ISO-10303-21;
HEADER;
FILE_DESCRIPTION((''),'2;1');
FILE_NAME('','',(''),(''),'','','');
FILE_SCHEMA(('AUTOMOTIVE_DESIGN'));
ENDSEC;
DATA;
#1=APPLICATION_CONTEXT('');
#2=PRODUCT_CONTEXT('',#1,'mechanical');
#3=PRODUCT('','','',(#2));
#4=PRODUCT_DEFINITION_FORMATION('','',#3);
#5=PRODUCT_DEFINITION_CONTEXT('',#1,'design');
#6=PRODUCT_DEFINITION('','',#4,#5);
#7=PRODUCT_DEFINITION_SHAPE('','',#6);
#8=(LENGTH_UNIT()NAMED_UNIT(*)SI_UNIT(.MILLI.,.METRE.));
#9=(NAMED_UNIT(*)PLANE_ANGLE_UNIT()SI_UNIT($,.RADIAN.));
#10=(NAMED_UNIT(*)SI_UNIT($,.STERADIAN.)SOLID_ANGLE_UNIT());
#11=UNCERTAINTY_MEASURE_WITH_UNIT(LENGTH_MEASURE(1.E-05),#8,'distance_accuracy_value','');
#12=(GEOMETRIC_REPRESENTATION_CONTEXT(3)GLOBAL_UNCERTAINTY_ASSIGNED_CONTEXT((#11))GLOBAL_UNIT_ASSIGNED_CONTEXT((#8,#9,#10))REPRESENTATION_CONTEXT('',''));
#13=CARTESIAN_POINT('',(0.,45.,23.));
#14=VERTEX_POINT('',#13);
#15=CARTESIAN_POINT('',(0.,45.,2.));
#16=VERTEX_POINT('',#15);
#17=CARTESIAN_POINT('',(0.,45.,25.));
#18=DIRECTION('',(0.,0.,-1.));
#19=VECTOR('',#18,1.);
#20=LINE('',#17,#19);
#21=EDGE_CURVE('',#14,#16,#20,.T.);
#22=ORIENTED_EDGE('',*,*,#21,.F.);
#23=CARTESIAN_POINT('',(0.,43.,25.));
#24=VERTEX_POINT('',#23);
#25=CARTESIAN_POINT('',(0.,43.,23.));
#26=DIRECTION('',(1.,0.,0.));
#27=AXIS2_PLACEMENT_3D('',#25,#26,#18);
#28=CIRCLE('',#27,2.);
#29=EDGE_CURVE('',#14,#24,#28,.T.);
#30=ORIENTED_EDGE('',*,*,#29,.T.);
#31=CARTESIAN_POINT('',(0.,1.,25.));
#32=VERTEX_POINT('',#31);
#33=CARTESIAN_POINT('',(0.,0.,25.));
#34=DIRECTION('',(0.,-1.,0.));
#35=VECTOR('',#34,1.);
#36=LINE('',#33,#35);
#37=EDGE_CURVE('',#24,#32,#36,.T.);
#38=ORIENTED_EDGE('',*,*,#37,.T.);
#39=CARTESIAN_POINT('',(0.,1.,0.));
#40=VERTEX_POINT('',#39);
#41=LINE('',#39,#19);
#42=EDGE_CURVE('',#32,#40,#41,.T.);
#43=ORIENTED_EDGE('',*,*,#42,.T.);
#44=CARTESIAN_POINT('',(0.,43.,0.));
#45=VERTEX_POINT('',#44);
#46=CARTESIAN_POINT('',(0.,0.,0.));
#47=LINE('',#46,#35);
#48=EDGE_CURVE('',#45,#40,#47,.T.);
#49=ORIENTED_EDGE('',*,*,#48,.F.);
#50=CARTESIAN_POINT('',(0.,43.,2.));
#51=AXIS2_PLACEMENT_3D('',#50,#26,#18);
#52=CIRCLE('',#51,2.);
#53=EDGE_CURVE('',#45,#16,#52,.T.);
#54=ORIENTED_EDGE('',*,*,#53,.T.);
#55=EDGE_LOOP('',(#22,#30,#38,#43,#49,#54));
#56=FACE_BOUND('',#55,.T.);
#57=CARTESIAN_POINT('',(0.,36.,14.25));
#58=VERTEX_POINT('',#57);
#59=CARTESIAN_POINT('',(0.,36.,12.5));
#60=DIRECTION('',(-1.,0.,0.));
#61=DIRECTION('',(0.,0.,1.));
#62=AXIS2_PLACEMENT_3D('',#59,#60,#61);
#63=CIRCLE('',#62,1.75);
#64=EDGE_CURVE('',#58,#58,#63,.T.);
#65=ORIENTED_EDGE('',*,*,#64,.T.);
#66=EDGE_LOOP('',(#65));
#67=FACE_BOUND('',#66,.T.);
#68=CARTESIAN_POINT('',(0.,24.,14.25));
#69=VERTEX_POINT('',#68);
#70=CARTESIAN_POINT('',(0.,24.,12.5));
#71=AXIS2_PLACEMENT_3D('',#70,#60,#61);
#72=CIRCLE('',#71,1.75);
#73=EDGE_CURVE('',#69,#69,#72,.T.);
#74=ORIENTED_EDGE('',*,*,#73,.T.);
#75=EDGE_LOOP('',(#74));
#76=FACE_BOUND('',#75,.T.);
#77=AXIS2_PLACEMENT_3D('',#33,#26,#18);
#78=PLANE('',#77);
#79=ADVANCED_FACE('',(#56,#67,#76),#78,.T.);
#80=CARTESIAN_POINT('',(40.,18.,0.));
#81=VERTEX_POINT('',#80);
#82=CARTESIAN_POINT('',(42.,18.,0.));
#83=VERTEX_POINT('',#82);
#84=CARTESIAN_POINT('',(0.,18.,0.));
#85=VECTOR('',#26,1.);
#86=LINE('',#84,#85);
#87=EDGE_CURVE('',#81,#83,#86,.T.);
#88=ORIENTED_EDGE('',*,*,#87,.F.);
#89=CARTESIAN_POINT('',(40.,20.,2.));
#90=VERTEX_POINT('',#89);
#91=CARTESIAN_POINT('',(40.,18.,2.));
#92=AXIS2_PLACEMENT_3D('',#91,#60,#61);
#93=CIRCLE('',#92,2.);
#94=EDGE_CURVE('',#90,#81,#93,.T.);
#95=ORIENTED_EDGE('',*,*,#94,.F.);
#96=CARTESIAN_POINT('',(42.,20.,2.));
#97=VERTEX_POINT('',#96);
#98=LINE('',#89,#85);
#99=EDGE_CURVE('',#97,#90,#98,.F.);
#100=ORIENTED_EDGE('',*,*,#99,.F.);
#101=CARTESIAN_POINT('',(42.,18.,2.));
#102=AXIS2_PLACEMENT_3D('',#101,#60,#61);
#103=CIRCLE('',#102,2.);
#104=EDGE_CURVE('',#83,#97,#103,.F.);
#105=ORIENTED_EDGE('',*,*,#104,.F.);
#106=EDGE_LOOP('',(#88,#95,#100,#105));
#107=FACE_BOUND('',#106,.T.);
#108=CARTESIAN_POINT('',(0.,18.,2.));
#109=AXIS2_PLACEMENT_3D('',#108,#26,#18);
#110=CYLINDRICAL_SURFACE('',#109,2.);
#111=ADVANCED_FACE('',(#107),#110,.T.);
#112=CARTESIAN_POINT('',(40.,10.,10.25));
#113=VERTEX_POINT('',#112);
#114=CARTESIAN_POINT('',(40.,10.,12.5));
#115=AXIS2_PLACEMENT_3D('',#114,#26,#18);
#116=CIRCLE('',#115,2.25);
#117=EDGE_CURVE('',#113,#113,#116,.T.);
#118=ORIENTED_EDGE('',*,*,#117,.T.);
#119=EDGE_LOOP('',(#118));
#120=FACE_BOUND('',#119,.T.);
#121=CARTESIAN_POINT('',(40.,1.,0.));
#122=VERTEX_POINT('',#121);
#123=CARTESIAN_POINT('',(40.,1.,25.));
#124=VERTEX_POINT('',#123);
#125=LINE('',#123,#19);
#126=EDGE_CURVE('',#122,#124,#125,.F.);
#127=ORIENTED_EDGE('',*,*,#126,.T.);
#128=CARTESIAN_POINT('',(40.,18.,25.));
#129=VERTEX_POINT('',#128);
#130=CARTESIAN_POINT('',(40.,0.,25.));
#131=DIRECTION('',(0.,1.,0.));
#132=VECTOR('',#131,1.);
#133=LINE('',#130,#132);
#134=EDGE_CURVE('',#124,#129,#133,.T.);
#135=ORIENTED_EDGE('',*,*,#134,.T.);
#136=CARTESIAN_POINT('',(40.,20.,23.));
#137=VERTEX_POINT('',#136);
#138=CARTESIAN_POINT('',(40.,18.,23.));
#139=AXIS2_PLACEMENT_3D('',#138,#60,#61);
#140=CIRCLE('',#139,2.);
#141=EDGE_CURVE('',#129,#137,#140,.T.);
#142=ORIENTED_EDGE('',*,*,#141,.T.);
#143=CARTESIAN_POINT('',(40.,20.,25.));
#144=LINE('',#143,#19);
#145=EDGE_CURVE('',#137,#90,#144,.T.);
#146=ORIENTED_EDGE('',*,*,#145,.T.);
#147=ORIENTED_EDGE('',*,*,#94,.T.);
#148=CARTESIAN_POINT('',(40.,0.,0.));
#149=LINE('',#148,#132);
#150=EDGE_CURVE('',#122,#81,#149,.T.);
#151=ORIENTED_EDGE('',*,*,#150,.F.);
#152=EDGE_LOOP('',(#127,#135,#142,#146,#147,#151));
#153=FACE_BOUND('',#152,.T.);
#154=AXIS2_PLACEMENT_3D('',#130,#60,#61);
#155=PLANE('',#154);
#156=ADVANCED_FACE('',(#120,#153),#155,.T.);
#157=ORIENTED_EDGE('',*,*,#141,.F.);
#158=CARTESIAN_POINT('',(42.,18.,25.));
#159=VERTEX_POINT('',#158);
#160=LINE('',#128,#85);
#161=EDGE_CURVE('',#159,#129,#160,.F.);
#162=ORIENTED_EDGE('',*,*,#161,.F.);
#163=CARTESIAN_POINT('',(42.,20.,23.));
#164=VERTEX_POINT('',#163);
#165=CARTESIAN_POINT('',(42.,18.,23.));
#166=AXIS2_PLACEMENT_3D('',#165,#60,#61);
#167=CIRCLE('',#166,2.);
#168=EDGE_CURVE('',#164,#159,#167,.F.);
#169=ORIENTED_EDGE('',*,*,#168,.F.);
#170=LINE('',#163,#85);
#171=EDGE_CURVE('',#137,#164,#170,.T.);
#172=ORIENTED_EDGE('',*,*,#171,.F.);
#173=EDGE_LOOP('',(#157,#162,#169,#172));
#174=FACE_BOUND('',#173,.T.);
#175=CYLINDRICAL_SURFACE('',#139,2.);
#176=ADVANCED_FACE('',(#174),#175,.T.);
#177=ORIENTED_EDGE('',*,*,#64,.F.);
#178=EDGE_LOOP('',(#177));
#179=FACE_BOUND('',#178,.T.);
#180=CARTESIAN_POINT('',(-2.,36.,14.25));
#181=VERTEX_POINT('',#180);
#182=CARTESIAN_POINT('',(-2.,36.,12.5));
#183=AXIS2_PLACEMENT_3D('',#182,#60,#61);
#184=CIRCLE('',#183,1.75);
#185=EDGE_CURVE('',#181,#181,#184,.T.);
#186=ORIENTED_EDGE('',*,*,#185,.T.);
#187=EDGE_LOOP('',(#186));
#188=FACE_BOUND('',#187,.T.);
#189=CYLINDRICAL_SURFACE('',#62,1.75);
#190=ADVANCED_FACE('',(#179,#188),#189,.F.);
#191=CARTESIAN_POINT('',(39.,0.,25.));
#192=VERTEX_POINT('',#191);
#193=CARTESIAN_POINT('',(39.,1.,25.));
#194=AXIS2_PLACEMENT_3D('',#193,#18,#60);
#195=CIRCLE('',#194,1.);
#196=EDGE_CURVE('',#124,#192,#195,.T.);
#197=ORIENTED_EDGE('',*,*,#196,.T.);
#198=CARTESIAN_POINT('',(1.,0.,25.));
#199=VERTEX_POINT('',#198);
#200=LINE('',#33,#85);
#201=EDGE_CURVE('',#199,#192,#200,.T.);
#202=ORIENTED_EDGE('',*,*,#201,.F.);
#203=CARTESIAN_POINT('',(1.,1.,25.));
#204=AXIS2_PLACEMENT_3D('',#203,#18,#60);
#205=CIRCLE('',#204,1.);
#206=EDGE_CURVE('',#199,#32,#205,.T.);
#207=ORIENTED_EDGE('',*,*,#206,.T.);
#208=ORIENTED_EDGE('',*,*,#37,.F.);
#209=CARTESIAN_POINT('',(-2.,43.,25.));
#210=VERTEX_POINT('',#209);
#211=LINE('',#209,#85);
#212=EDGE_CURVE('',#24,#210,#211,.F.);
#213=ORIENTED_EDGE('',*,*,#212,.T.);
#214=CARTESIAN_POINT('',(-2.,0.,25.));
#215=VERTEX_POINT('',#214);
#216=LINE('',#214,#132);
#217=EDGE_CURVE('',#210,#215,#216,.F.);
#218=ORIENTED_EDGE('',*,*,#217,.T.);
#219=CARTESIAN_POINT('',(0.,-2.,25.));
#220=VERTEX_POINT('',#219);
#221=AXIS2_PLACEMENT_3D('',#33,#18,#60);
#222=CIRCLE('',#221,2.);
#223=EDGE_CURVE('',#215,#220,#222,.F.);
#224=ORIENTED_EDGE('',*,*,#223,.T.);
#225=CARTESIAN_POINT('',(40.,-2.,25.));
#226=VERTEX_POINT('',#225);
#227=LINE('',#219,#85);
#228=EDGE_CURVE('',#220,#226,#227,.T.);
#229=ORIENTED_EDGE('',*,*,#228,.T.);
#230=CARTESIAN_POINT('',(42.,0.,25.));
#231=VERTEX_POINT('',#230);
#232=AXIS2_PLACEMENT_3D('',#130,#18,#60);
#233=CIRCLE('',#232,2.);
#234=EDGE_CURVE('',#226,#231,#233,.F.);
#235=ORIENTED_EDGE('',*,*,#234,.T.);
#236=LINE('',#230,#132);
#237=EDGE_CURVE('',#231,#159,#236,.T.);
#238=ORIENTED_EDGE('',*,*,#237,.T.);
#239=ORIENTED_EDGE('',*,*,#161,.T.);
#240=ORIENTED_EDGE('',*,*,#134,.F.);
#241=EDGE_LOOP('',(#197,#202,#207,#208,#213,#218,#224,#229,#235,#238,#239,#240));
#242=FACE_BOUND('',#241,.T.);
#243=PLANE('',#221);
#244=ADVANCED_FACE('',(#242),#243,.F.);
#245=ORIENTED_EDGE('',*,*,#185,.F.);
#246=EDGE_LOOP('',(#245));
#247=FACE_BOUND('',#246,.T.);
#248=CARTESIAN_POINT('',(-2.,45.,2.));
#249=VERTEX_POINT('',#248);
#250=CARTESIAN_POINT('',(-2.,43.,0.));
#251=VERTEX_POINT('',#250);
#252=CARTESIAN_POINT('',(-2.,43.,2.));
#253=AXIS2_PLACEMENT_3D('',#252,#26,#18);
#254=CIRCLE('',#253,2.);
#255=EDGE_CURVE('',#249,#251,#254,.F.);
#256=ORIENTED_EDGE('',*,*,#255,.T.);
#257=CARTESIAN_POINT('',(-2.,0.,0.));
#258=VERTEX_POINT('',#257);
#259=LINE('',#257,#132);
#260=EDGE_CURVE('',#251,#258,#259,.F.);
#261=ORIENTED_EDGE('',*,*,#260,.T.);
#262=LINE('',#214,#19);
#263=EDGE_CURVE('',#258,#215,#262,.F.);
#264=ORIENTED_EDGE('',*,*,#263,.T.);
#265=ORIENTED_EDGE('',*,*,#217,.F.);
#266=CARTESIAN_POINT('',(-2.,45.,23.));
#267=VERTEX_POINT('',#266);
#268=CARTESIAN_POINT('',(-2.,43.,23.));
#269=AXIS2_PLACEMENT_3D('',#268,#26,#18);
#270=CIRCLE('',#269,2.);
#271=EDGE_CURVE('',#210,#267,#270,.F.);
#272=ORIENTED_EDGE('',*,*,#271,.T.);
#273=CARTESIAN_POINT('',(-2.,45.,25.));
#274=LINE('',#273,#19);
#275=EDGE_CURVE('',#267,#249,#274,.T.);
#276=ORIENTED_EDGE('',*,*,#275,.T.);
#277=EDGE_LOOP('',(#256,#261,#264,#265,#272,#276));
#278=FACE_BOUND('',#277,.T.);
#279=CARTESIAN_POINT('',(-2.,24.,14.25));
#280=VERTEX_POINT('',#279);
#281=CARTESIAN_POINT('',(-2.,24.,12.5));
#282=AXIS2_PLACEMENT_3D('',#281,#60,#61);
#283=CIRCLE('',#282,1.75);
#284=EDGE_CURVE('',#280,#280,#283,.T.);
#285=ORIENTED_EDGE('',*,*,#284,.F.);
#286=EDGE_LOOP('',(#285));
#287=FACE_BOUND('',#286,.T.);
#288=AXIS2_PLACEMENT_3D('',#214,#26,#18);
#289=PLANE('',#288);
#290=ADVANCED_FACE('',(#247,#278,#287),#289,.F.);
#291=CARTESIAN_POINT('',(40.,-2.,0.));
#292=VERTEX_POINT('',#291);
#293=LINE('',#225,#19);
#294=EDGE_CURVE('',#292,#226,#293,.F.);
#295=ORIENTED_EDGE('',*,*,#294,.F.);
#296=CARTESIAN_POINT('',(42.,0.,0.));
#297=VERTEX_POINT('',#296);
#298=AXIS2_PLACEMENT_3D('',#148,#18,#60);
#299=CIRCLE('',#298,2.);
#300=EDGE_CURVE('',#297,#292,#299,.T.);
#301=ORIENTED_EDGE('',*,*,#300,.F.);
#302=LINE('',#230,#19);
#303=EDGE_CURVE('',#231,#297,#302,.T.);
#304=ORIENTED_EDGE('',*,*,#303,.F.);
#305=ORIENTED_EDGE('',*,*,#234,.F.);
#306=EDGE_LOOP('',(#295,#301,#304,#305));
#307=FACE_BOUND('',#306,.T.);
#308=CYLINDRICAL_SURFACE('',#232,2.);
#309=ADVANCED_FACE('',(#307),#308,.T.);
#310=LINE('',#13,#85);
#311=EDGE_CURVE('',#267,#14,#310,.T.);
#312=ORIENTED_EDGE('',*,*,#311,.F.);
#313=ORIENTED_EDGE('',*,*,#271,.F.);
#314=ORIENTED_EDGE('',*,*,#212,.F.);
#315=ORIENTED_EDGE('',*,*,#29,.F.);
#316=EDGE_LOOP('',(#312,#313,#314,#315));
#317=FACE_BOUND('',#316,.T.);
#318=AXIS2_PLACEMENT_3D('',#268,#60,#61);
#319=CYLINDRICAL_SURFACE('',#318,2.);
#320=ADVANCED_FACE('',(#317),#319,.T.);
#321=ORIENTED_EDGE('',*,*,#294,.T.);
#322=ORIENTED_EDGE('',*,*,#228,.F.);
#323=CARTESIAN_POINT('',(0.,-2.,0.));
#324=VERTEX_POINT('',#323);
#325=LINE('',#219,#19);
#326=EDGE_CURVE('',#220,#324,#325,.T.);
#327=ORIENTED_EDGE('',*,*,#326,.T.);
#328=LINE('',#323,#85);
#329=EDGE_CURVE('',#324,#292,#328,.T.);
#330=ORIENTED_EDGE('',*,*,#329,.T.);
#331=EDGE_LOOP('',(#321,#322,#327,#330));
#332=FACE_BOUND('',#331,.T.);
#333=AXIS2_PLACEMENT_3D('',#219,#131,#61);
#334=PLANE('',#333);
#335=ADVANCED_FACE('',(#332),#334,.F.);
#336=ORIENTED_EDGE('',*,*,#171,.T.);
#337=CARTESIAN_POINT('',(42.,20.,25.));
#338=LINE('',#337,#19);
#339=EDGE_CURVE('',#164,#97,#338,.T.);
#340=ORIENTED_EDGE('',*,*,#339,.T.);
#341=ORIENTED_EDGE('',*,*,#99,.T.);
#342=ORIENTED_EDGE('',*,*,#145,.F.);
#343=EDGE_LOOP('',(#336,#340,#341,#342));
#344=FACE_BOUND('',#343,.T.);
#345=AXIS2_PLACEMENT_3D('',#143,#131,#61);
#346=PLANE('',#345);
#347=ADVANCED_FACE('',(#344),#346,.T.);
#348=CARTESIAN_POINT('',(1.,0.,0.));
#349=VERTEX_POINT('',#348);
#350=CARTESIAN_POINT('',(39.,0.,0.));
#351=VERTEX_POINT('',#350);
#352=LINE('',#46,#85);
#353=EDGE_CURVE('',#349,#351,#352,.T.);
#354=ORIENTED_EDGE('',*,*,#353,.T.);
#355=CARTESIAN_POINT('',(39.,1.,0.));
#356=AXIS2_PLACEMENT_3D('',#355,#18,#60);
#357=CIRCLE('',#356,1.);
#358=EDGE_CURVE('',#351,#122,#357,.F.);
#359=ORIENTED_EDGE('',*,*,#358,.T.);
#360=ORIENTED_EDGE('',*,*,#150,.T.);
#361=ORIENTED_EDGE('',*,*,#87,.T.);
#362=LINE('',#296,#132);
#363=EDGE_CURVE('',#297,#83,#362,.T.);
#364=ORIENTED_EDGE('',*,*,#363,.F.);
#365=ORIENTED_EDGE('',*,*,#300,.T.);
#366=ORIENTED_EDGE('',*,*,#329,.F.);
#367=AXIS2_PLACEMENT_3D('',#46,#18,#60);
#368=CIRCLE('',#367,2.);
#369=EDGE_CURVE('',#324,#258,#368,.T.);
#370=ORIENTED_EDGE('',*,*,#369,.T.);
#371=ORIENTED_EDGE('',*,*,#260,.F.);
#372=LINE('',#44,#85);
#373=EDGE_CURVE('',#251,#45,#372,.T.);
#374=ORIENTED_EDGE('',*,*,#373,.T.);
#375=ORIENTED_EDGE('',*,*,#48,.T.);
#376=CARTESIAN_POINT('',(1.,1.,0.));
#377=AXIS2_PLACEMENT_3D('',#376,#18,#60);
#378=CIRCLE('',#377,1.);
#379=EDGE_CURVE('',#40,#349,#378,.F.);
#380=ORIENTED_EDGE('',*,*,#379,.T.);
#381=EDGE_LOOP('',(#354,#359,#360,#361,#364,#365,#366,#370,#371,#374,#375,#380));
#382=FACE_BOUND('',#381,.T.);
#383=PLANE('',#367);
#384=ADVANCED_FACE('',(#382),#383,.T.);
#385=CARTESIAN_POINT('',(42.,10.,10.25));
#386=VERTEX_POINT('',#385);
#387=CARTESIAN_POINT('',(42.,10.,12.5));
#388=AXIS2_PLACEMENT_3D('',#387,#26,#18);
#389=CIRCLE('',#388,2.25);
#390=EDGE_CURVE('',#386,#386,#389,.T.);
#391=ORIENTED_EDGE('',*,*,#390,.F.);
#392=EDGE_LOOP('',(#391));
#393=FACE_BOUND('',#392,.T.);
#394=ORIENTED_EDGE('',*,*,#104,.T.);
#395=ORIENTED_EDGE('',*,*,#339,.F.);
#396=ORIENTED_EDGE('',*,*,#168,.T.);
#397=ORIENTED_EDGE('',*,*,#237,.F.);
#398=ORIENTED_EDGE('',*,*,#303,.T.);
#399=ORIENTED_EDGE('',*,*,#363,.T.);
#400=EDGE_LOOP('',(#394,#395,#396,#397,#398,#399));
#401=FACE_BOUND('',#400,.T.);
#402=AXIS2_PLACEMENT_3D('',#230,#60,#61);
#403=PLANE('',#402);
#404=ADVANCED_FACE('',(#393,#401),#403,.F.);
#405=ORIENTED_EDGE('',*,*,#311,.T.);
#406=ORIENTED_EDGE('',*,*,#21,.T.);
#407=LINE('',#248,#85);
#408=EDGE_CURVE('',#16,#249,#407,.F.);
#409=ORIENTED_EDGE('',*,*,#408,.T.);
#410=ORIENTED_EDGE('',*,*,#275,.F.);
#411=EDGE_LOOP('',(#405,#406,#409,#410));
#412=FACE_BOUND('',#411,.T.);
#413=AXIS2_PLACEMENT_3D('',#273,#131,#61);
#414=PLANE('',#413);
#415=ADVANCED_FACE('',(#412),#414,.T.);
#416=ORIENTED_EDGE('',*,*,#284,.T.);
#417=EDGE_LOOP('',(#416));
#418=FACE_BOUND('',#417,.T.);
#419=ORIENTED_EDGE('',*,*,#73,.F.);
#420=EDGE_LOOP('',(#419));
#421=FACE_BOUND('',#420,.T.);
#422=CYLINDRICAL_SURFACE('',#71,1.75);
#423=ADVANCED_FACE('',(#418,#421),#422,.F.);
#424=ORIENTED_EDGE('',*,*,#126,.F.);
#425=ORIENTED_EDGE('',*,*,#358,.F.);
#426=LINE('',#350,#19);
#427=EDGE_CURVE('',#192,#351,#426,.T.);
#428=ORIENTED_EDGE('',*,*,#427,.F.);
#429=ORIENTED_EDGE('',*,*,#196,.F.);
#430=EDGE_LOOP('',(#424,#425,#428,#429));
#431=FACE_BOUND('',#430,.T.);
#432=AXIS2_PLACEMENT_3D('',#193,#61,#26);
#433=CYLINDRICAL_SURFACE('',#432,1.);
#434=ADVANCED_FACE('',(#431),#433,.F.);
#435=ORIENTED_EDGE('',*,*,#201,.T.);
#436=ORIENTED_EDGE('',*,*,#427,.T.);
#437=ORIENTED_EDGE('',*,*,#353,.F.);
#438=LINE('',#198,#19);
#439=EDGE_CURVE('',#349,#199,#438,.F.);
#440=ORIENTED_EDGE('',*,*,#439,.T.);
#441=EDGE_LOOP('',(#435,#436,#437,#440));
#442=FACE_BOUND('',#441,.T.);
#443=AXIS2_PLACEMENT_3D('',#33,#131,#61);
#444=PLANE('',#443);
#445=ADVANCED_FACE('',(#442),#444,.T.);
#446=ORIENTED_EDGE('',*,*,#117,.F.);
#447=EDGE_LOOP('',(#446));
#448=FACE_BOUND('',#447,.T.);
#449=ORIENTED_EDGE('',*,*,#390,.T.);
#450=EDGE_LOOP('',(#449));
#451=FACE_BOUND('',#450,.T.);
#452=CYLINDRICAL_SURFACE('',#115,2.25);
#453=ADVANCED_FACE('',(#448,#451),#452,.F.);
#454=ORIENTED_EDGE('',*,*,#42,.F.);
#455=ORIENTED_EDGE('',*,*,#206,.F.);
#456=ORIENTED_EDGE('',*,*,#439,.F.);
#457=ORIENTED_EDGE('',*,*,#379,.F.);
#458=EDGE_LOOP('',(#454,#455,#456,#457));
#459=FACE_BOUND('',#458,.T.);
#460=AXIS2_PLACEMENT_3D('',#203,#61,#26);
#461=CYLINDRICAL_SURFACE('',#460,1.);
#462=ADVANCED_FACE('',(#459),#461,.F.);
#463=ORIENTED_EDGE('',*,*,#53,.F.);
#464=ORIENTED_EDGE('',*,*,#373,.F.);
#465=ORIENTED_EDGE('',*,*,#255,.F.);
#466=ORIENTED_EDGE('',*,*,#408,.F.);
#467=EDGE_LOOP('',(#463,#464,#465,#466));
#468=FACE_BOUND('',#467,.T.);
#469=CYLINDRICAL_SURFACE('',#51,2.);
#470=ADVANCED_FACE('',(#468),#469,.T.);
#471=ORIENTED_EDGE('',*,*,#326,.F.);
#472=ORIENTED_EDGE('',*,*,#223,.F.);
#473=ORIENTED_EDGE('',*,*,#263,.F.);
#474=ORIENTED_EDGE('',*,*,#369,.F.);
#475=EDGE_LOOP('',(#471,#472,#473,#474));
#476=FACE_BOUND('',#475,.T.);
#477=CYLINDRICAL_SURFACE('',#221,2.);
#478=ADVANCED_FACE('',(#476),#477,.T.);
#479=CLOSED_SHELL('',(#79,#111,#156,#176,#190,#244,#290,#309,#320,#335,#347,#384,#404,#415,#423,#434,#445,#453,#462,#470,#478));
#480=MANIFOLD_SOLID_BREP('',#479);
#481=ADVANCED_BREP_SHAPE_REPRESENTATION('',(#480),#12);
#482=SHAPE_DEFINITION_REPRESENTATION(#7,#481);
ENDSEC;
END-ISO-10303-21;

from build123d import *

# Parameters (mm, degrees)
EXTRU_MINCE1_DEPTH      = 25
CONG_1_R                = 1
CONG_2_R                = 1
CONG_3_R                = 2
CONG_4_R                = 2
ESQUISSE2_R             = 1.75
ENL_V_MAT_EXTRU_1_DEPTH = 2
ESQUISSE3_R             = 2.25
ENL_V_MAT_EXTRU_2_DEPTH = 2
CONG_12_R               = 2
CONG_13_R               = 2
CONG_15_R               = 2
CONG_16_R               = 2


with BuildPart() as part:
    # Esquisse1 → Extru.-Mince1 (new body)
    with BuildSketch(Plane.XY):
        Polygon((0, 45), (0, 0), (40, 0), (40, 20), (42, 20), (42, -2), (-2, -2), (-2, 45), align=None)
    extrude(amount=EXTRU_MINCE1_DEPTH)

    # Congé1
    cong_1_edges = [part.edges().sort_by_distance(p)[0] for p in [
        (0, 0, 12.5),
    ]]
    fillet(cong_1_edges, radius=CONG_1_R)

    # Congé2
    cong_2_edges = [part.edges().sort_by_distance(p)[0] for p in [
        (40, 0, 12.5),
    ]]
    fillet(cong_2_edges, radius=CONG_2_R)

    # Congé3
    cong_3_edges = [part.edges().sort_by_distance(p)[0] for p in [
        (42, -2, 12.5),
    ]]
    fillet(cong_3_edges, radius=CONG_3_R)

    # Congé4
    cong_4_edges = [part.edges().sort_by_distance(p)[0] for p in [
        (-2, -2, 12.5),
    ]]
    fillet(cong_4_edges, radius=CONG_4_R)

    # Esquisse2 → Enlèv. mat.-Extru.1 (cut)
    with BuildSketch(Plane.ZY.offset(2)):
        with Locations((12.5, 36)):
            Circle(ESQUISSE2_R)
        with Locations((12.5, 24)):
            Circle(ESQUISSE2_R)
    extrude(amount=-ENL_V_MAT_EXTRU_1_DEPTH, mode=Mode.SUBTRACT)

    # Esquisse3 → Enlèv. mat.-Extru.2 (cut)
    with BuildSketch(Plane(origin=(42, 0, 0), x_dir=(0, 0, -1), z_dir=(1, 0, 0))):
        with Locations((-12.5, 10)):
            Circle(ESQUISSE3_R)
    extrude(amount=-ENL_V_MAT_EXTRU_2_DEPTH, mode=Mode.SUBTRACT)

    # Congé12
    cong_12_edges = [part.edges().sort_by_distance(p)[0] for p in [
        (41, 20, 0),
    ]]
    fillet(cong_12_edges, radius=CONG_12_R)

    # Congé13
    cong_13_edges = [part.edges().sort_by_distance(p)[0] for p in [
        (41, 20, 25),
    ]]
    fillet(cong_13_edges, radius=CONG_13_R)

    # Congé15
    cong_15_edges = [part.edges().sort_by_distance(p)[0] for p in [
        (-1, 45, 0),
    ]]
    fillet(cong_15_edges, radius=CONG_15_R)

    # Congé16
    cong_16_edges = [part.edges().sort_by_distance(p)[0] for p in [
        (-1, 45, 25),
    ]]
    fillet(cong_16_edges, radius=CONG_16_R)


solid = part.part
